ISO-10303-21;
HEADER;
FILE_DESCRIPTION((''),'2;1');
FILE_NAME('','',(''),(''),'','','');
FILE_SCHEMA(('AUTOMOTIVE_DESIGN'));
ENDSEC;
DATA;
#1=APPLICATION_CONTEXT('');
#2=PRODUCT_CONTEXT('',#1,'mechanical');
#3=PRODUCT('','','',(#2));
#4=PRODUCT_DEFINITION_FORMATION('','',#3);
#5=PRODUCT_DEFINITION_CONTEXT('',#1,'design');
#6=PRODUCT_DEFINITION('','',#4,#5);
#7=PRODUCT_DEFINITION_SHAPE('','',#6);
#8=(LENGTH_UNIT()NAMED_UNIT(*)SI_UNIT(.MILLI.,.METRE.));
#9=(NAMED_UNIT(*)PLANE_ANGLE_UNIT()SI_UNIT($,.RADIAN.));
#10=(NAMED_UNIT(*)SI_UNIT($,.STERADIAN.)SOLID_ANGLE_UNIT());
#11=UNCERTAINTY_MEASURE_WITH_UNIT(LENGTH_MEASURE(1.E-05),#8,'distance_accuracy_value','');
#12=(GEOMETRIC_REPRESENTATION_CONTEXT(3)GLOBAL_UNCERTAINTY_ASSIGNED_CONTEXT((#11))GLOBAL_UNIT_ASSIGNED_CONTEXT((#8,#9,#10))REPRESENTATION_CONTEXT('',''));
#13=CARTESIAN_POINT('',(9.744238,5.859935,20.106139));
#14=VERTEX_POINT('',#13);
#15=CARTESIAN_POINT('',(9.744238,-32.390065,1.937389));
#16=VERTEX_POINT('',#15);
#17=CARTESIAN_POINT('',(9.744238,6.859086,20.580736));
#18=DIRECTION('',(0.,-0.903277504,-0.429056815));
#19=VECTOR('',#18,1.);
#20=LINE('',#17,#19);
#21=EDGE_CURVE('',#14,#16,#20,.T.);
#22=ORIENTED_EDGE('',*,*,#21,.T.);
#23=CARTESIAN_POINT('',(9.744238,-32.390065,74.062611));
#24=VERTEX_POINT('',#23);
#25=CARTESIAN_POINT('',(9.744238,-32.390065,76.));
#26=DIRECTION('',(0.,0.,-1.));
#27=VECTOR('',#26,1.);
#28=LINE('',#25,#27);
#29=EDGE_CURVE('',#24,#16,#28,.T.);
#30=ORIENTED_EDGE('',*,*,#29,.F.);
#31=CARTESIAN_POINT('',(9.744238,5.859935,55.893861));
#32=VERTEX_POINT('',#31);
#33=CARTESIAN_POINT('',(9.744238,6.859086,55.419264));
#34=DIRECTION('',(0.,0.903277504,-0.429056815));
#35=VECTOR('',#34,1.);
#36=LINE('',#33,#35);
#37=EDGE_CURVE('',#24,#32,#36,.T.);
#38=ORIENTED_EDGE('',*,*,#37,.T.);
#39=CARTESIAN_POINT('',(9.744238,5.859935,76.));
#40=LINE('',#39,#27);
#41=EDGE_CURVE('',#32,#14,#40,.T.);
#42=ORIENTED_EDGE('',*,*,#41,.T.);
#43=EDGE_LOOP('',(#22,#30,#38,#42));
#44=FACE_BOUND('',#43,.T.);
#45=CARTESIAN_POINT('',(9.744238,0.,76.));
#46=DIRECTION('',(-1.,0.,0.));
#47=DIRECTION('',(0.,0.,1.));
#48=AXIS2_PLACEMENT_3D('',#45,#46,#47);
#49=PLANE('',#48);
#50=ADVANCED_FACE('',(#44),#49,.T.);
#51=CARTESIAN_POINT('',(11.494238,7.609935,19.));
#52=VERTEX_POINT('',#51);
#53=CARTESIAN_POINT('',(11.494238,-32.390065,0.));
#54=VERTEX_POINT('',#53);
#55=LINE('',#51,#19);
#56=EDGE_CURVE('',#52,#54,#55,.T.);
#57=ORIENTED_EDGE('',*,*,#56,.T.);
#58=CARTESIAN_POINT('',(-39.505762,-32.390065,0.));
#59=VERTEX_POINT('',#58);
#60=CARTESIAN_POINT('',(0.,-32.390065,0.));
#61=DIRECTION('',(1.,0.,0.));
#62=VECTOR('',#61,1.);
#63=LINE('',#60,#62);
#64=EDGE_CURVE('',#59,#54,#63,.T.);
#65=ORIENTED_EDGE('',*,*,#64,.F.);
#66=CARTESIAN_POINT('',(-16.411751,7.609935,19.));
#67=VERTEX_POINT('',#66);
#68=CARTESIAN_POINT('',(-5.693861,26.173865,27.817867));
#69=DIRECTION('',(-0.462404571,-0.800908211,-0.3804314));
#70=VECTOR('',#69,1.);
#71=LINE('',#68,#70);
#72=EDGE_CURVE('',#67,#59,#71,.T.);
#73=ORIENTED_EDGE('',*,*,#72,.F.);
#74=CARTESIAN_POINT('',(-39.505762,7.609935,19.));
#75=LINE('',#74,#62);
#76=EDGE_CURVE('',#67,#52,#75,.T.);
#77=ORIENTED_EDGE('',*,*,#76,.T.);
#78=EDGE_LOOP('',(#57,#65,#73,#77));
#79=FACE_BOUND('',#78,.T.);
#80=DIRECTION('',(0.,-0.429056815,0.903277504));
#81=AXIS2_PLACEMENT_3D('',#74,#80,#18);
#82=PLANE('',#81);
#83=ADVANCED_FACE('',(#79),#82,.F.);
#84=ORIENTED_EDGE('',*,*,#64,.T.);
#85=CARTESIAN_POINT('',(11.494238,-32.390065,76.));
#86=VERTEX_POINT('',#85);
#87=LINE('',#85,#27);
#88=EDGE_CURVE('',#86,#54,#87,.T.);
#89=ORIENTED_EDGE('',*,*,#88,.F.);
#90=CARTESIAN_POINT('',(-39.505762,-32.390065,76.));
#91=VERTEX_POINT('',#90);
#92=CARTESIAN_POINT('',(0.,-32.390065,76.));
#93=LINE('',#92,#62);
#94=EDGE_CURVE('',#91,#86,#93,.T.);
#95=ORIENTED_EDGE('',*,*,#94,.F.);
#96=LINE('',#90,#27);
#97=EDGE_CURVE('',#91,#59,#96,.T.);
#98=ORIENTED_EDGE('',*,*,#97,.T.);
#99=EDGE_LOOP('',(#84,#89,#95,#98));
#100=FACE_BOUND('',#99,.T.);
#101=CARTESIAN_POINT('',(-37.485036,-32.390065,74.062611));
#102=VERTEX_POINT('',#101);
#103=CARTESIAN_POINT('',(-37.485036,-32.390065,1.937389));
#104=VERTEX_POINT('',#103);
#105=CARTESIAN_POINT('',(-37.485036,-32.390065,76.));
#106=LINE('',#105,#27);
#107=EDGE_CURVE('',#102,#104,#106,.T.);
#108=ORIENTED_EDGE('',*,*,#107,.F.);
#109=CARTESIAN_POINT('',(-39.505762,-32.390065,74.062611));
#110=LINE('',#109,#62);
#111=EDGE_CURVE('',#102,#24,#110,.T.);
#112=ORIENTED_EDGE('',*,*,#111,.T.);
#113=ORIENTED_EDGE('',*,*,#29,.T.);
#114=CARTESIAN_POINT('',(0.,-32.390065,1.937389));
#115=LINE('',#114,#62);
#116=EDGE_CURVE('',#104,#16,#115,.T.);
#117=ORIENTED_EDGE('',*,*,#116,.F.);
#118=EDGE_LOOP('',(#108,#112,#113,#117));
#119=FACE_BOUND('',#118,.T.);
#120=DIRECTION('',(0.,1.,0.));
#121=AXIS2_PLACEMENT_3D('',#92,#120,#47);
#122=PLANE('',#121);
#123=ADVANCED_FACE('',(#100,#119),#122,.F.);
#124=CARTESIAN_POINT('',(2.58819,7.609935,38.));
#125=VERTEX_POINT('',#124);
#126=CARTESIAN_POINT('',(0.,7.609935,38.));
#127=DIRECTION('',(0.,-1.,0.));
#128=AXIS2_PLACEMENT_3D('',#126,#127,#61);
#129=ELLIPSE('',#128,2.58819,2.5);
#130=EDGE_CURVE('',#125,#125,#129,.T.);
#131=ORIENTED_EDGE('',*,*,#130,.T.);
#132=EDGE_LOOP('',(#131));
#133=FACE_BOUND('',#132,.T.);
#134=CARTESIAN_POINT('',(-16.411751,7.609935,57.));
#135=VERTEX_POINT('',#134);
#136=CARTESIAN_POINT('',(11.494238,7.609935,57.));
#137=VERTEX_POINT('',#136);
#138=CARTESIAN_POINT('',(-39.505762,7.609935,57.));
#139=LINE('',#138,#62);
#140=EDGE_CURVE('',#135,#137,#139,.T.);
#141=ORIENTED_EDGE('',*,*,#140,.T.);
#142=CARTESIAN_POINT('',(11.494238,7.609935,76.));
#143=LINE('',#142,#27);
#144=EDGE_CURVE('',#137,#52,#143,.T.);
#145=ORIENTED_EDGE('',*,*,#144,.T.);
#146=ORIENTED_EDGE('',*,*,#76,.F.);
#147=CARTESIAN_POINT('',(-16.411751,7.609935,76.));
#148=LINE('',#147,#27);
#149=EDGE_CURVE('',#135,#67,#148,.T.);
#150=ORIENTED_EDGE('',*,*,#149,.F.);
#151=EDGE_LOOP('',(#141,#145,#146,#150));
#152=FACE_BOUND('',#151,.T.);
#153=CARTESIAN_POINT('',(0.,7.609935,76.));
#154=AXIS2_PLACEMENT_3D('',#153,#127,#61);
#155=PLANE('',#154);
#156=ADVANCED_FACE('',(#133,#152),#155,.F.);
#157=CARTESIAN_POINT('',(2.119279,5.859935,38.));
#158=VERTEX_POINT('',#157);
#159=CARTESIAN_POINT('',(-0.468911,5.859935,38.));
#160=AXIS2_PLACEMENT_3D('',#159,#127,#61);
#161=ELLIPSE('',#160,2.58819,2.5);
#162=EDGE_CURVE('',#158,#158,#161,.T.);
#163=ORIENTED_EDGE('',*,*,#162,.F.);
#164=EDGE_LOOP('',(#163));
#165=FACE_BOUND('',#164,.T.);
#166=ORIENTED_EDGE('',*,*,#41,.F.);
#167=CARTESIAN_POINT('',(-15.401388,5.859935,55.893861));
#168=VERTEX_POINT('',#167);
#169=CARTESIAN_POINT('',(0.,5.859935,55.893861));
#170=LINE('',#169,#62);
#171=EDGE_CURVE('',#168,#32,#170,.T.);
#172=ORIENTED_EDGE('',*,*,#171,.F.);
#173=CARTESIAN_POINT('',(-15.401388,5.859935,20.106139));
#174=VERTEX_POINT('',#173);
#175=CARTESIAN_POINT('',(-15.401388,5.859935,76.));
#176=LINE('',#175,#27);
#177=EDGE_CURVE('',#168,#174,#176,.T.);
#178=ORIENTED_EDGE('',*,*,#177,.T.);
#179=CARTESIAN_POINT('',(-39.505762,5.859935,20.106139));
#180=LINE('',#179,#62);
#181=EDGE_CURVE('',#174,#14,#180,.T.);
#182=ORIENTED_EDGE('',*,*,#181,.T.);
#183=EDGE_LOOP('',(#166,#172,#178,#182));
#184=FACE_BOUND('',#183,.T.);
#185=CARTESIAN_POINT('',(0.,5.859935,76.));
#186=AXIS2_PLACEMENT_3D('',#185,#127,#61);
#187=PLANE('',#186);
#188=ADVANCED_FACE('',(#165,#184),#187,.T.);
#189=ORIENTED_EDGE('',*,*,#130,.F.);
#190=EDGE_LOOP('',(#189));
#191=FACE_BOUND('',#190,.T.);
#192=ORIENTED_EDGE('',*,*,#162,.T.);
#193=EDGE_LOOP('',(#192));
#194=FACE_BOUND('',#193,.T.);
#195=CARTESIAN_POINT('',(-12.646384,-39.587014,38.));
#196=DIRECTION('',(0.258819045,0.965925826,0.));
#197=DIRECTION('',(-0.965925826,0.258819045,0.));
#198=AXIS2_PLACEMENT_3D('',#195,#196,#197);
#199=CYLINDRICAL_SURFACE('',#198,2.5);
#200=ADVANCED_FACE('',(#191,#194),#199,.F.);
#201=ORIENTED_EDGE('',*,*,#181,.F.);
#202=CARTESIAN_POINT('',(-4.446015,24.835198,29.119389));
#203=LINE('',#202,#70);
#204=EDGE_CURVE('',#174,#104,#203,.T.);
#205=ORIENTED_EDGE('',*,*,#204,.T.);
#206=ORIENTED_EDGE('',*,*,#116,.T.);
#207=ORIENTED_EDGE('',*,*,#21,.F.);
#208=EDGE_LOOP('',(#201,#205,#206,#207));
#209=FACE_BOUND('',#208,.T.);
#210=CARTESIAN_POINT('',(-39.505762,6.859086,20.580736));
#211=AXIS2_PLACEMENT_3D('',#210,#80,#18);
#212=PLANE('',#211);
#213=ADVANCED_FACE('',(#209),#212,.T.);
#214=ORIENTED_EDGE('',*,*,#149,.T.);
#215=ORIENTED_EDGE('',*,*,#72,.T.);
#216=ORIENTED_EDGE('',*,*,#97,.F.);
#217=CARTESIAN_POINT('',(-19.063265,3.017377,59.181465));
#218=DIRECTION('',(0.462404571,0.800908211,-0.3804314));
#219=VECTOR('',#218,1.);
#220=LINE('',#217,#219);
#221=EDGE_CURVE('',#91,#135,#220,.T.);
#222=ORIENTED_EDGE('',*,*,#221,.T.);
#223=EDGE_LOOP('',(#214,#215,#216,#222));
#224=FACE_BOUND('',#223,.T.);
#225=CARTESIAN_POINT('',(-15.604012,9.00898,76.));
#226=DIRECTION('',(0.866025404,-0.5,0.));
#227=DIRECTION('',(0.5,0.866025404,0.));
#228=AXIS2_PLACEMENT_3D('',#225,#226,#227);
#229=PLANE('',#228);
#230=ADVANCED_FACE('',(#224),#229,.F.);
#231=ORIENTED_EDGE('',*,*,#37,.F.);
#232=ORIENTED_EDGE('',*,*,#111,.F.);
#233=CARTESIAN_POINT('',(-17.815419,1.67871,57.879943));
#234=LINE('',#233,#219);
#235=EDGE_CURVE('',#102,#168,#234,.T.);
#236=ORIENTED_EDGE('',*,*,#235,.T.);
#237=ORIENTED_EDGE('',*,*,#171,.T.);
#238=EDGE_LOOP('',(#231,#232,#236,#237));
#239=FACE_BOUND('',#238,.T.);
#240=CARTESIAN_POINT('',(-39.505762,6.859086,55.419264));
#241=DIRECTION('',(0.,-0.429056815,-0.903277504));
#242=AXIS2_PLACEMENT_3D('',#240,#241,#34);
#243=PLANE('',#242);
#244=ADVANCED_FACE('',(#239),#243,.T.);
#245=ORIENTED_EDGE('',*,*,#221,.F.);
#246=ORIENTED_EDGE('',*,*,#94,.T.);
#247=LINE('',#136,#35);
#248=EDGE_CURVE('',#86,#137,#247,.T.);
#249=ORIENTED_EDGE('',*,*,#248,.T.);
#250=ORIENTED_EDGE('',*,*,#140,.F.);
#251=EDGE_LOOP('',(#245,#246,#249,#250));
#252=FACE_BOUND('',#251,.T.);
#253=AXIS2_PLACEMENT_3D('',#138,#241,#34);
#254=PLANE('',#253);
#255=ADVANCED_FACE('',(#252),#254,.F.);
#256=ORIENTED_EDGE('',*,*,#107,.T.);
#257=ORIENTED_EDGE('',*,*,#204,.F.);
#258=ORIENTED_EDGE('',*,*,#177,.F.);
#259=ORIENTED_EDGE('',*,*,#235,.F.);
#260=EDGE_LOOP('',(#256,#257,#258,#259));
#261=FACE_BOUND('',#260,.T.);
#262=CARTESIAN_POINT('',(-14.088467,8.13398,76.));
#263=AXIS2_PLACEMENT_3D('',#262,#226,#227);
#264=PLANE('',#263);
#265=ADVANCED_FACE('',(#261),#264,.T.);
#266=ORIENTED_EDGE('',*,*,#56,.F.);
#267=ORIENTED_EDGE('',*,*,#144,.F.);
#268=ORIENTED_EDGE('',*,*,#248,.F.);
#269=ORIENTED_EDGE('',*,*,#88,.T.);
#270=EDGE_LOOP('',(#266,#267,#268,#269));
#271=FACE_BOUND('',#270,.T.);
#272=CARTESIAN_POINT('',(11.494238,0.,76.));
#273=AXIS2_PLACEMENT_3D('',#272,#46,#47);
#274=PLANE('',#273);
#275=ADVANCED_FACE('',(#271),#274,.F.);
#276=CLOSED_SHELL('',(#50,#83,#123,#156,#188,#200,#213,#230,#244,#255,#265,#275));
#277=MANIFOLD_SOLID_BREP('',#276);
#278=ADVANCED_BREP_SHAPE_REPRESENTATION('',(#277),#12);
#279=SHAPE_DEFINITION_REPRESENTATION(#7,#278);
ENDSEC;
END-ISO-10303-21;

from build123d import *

# Parameters (mm, degrees)
EXTRUDE_1_DEPTH     = 76
CUT_EXTRUDE_1_DEPTH = 98.088188339
SHELL_2_T           = -1.75
SKETCH_7_R          = 2.5
CUT_EXTRUDE_3_DEPTH = 96.132124654
CUT_EXTRUDE_START   = 3
SKETCH_7_2_R        = 2.5
CUT_EXTRUDE_4_DEPTH = 3


with BuildPart() as part:
    # ｽｹｯﾁ1 → ﾎﾞｽ - 押し出し1 (new body)
    with BuildSketch(Plane.XY):
        Polygon((-16.411750997, 7.609934935), (-39.505761764, -32.390065065), (11.494238236, -32.390065065), (11.494238236, 7.609934935), align=None)
    extrude(amount=EXTRUDE_1_DEPTH)

    # ｽｹｯﾁ2 → ｶｯﾄ - 押し出し1 (cut, through all)
    with BuildSketch(Plane(origin=(11.494238236, 0, 0), x_dir=(0, 0, -1), z_dir=(1, 0, 0))):
        Polygon((-57, 7.609934935), (-76, -32.390065065), (-76, 7.609934935), align=None)
        Polygon((-19, 7.609934935), (0, -32.390065065), (0, 7.609934935), align=None)
    extrude(amount=-CUT_EXTRUDE_1_DEPTH, mode=Mode.SUBTRACT)

    # ｼｪﾙ2
    shell_2_openings = [part.faces().sort_by_distance(p)[0] for p in [
        (-14.005761764, -32.390065065, 38),
    ]]
    offset(amount=SHELL_2_T, openings=shell_2_openings, kind=Kind.INTERSECTION)

    # ｽｹｯﾁ7 → ｶｯﾄ - 押し出し3 (cut, through all)
    with BuildSketch(Plane(origin=(1.902483734, 7.100165955, 0), x_dir=(0.9659258262890676, -0.2588190451025229, 0), z_dir=(0.25881904510252296, 0.9659258262890678, 0))):
        with Locations((-1.969596093, -38)):
            Circle(SKETCH_7_R)
    extrude(amount=-CUT_EXTRUDE_3_DEPTH, mode=Mode.SUBTRACT)

    # ｽｹｯﾁ7<2> → ｶｯﾄ - 押し出し4 (cut)
    with BuildSketch(Plane(origin=(1.902483734, 7.100165955, 0), x_dir=(0.9659258262890676, -0.2588190451025229, 0), z_dir=(0.25881904510252296, 0.9659258262890678, 0)).offset(CUT_EXTRUDE_START)):
        with Locations((-1.969596093, -38)):
            Circle(SKETCH_7_2_R)
    extrude(amount=-CUT_EXTRUDE_4_DEPTH, mode=Mode.SUBTRACT)


solid = part.part
